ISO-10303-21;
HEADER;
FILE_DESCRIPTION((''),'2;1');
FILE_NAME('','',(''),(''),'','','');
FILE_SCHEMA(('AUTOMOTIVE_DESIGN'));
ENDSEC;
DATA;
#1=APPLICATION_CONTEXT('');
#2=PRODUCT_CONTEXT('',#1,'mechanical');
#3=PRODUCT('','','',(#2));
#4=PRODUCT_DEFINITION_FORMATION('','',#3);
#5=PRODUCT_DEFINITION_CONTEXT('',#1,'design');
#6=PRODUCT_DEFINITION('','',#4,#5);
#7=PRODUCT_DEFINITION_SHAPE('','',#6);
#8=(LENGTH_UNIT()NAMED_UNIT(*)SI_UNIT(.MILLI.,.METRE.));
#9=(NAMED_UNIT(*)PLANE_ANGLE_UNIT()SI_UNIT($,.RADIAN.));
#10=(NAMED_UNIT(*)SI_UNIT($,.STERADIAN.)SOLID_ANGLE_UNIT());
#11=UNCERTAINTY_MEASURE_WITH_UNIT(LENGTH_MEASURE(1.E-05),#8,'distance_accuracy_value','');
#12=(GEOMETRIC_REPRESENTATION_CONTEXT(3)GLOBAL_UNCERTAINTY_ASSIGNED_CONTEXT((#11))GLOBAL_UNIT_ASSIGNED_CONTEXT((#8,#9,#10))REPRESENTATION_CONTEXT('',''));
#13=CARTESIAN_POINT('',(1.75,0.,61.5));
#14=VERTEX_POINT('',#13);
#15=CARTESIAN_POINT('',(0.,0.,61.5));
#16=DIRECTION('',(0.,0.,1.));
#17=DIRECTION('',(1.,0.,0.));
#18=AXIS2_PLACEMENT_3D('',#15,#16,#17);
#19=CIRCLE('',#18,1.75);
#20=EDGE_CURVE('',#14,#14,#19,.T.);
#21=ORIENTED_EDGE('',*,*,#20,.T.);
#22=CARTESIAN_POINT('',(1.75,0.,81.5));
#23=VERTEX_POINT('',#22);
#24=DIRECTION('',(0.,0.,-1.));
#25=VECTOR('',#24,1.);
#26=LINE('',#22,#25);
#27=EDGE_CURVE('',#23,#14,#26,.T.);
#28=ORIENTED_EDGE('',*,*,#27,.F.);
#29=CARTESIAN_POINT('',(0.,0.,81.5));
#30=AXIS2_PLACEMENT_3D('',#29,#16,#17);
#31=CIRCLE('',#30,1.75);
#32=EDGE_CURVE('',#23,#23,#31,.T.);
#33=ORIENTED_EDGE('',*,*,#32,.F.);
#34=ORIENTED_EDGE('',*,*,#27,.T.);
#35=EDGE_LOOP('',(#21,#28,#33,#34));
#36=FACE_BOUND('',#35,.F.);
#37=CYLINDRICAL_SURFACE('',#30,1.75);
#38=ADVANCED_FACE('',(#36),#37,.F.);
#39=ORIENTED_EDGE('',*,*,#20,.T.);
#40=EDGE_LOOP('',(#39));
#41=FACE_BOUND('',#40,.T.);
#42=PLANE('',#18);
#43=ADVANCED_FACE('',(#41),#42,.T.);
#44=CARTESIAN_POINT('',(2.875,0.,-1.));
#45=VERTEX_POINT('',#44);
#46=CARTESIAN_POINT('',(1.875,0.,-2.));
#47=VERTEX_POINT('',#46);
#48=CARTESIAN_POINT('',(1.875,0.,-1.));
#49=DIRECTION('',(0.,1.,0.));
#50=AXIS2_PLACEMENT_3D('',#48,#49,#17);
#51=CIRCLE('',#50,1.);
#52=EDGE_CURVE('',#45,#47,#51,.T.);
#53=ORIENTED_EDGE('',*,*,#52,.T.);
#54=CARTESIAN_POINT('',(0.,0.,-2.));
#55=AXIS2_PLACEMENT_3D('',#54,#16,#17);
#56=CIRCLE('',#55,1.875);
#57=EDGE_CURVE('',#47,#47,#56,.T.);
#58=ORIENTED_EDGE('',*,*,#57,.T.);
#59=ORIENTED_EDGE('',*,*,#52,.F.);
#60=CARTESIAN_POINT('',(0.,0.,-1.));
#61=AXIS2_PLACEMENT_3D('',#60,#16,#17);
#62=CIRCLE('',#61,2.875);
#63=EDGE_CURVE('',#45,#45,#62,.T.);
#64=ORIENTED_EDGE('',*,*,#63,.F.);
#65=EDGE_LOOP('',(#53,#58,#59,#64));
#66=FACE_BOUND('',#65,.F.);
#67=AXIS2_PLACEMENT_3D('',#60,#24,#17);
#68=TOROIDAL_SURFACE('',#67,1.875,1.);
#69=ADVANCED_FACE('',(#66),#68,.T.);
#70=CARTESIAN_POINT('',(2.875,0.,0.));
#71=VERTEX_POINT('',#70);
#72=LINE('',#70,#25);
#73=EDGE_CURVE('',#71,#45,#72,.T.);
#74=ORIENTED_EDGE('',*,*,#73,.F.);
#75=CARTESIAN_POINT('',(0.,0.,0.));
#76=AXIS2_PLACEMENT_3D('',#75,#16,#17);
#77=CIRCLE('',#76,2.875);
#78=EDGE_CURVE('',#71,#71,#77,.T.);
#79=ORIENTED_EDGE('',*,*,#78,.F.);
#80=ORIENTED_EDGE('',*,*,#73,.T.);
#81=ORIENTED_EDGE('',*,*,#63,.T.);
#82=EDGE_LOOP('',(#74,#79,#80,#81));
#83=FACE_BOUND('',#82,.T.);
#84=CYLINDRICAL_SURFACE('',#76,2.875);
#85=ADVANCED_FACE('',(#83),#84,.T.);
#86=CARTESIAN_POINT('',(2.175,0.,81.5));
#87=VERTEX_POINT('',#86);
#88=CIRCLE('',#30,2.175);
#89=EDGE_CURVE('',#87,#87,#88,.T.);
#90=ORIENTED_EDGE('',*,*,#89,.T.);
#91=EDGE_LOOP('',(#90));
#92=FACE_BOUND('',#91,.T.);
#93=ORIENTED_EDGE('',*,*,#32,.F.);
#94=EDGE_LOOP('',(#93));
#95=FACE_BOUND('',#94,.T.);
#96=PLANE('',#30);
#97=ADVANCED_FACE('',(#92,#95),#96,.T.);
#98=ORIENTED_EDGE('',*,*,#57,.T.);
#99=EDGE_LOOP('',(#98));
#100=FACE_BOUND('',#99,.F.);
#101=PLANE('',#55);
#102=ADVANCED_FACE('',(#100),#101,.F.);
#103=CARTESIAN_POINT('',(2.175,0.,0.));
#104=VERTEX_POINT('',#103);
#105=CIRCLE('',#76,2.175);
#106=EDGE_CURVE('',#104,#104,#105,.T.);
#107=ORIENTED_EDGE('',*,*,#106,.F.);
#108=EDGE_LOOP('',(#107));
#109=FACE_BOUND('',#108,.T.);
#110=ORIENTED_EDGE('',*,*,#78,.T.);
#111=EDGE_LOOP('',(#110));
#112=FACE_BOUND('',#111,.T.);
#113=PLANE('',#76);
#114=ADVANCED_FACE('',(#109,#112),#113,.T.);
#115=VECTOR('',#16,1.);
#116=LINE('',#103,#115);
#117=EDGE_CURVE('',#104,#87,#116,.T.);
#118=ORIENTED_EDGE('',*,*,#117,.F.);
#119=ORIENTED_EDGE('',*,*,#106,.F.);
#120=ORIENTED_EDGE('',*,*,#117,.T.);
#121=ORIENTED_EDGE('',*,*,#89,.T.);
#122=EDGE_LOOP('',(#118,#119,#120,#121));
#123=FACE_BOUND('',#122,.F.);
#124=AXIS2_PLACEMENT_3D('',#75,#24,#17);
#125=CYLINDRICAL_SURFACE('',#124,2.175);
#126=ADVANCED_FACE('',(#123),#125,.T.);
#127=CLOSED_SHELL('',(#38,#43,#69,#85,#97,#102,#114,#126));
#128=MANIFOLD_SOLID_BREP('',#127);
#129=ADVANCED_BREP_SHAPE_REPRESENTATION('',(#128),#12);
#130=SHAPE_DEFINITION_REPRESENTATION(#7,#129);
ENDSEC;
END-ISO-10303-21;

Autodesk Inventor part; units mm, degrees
ref_plane "YZ Plane" through (0, 0, 0) normal (1, 0, 0) x (0, 1, 0)
ref_plane "XZ Plane" through (0, 0, 0) normal (0, 1, 0) x (-1, 0, 0)
ref_plane "XY Plane" through (0, 0, 0) normal (0, 0, 1) x (1, 0, 0)
sketch "Sketch1" plane through (0, 0, 0) normal (0, 0, 1) x (1, 0, 0)
  circle A0 centre (0, 0) radius 2.175
  circle A1 centre (0, 0) radius 1.75
  circle A2 centre (0, 0) radius 2.875
  circle A3 centre (0, 0) radius 2.25
  dimension "d0" = 4.35
  dimension "d1" = 3.5
  dimension "d2" = 5.75
  dimension "d3" = 4.5
extrude "Extrusion1" add sketch "Sketch1" along normal blind 81.5 contours A0 | A1
extrude "Extrusion2" add sketch "Sketch1" against normal blind 2 contours A0 | A1 | A2 | A3
fillet "Fillet1" radius 1 1 edges at (-2.875, 0, -2)
sketch "Sketch2" plane through (0, 0, 81.5) normal (0, 0, 1) x (1, 0, 0)
  circle A0 centre (0, 0) radius 1.75
  dimension "d9" = 3.5
extrude "Extrusion3" cut sketch "Sketch2" against normal blind 20
properties part number "Schanier pin"
